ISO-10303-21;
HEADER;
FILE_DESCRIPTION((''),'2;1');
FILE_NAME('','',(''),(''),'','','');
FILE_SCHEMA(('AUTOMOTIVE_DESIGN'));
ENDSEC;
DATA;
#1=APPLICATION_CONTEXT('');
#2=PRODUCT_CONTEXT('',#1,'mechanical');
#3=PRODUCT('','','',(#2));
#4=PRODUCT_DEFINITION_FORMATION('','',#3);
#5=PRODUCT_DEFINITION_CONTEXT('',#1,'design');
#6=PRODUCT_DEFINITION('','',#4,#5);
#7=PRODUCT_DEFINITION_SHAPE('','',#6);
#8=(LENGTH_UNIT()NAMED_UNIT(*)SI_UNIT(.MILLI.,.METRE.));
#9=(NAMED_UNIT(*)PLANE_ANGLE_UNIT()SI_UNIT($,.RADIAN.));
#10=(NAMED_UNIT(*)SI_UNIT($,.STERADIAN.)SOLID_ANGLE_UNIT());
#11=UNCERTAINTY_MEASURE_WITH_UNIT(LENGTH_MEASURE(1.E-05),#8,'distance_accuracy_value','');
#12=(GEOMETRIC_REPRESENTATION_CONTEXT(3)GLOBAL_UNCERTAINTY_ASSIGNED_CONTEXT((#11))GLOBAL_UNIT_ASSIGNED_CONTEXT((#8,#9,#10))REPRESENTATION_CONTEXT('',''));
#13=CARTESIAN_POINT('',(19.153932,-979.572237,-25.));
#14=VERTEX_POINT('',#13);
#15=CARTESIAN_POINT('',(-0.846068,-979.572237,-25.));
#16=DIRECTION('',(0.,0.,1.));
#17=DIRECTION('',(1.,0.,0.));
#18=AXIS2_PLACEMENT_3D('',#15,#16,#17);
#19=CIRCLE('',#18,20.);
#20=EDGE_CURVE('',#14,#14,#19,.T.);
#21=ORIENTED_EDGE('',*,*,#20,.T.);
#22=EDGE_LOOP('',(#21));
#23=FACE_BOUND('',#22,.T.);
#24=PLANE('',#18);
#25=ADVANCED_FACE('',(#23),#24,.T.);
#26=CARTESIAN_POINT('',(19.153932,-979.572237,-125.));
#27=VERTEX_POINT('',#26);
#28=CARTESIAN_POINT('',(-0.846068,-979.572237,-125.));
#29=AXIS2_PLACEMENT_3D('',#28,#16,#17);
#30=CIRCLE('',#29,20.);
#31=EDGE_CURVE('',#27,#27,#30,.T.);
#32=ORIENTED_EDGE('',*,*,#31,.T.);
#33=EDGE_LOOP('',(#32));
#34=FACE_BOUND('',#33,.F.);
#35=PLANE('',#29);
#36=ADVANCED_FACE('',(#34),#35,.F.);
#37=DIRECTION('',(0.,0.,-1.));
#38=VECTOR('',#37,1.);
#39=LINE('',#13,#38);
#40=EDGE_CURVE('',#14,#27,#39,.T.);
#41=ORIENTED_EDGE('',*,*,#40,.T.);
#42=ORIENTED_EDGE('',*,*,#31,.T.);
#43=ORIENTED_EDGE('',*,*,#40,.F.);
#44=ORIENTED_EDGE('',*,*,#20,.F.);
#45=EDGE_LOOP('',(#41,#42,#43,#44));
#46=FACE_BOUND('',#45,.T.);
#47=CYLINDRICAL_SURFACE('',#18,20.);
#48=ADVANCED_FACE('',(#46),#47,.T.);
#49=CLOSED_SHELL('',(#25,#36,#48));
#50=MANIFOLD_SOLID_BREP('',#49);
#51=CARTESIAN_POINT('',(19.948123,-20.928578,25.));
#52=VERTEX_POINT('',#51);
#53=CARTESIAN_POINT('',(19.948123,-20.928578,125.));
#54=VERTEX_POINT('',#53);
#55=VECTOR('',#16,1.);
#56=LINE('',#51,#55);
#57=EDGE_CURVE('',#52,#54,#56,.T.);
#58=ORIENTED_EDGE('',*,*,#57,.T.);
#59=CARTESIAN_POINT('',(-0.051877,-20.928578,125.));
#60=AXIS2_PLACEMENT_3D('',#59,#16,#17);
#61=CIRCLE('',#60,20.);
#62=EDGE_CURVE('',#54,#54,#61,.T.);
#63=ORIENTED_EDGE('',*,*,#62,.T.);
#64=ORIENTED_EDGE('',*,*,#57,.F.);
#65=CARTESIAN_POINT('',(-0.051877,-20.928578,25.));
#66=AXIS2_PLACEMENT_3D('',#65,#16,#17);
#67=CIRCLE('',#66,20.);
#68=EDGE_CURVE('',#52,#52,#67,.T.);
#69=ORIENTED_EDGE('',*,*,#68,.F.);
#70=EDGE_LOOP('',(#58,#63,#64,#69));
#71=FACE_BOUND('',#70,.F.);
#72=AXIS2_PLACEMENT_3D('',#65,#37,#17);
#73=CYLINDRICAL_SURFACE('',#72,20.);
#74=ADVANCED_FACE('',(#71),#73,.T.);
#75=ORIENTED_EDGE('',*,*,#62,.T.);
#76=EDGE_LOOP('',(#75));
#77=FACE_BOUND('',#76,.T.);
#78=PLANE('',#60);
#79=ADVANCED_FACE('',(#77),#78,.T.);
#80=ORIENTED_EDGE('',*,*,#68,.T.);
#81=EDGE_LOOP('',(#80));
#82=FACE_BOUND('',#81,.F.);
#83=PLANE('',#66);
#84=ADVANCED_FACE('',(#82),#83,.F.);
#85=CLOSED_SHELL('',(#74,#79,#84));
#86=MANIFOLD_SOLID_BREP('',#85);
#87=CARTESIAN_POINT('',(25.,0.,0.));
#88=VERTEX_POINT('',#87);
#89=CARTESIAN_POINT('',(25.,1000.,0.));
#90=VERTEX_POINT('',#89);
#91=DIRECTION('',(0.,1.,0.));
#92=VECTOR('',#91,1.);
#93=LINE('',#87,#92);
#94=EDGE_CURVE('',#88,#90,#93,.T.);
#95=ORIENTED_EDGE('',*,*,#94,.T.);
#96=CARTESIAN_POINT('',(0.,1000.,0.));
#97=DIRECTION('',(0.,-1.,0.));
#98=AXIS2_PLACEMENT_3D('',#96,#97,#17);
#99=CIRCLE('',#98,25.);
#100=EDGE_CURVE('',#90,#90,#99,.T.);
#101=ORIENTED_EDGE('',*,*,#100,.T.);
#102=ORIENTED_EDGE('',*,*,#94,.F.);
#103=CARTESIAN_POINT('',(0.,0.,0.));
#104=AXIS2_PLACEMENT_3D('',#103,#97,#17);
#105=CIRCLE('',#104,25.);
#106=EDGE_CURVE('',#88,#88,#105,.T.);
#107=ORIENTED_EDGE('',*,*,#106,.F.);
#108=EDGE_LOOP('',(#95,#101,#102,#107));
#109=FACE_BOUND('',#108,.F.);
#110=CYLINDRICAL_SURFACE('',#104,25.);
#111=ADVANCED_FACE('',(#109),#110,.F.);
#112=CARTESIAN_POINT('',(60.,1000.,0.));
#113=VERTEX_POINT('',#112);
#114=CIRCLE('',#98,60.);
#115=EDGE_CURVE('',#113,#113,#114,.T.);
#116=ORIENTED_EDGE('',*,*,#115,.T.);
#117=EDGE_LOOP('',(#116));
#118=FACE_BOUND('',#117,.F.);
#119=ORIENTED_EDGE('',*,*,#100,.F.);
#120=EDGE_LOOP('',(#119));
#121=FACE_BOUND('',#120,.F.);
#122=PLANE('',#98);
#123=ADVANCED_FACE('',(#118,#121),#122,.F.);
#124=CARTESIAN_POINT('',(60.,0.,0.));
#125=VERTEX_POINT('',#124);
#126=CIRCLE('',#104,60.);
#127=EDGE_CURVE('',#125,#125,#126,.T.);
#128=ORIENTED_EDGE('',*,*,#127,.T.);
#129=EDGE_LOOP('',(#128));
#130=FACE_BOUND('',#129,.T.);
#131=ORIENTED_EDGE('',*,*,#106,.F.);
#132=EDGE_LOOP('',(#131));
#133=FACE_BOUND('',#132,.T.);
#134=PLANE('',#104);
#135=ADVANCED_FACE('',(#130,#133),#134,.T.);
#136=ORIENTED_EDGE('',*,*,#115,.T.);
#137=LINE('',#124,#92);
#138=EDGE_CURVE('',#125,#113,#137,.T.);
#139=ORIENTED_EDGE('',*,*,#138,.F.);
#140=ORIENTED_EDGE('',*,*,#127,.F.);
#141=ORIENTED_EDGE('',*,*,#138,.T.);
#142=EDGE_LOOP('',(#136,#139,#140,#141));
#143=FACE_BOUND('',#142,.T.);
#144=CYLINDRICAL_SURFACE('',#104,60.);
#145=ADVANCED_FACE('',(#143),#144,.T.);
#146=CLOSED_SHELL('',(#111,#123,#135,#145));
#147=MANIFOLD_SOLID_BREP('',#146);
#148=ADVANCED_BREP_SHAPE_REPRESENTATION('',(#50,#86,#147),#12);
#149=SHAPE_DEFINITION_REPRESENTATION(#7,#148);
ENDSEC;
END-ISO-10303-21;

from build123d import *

# Parameters (mm, degrees)
F0_R     = 60
F0_R_2   = 25
F1_DEPTH = 1000
F3_START = 25
F2_R     = 20
F3_DEPTH = 100
F5_START = -25
F4_R     = 20
F5_DEPTH = 100


with BuildPart() as f1:
    # F0 (on Front) → F1 (new body)
    with BuildSketch(Plane.XZ):
        Circle(F0_R)
        Circle(F0_R_2, mode=Mode.SUBTRACT)
    extrude(amount=-F1_DEPTH)


with BuildPart() as f3:
    # F2 (on Top) → F3 (new body)
    with BuildSketch(Plane.XY.offset(F3_START)):
        with Locations((-0.0518769739, -20.9285784513)):
            Circle(F2_R)
    extrude(amount=F3_DEPTH)


with BuildPart() as f5:
    # F4 (on Top) → F5 (new body)
    with BuildSketch(Plane.XY.offset(F5_START)):
        with Locations((-0.8460676181, -979.5722365379)):
            Circle(F4_R)
    extrude(amount=-F5_DEPTH)


solid = Compound([f1.part, f3.part, f5.part])
